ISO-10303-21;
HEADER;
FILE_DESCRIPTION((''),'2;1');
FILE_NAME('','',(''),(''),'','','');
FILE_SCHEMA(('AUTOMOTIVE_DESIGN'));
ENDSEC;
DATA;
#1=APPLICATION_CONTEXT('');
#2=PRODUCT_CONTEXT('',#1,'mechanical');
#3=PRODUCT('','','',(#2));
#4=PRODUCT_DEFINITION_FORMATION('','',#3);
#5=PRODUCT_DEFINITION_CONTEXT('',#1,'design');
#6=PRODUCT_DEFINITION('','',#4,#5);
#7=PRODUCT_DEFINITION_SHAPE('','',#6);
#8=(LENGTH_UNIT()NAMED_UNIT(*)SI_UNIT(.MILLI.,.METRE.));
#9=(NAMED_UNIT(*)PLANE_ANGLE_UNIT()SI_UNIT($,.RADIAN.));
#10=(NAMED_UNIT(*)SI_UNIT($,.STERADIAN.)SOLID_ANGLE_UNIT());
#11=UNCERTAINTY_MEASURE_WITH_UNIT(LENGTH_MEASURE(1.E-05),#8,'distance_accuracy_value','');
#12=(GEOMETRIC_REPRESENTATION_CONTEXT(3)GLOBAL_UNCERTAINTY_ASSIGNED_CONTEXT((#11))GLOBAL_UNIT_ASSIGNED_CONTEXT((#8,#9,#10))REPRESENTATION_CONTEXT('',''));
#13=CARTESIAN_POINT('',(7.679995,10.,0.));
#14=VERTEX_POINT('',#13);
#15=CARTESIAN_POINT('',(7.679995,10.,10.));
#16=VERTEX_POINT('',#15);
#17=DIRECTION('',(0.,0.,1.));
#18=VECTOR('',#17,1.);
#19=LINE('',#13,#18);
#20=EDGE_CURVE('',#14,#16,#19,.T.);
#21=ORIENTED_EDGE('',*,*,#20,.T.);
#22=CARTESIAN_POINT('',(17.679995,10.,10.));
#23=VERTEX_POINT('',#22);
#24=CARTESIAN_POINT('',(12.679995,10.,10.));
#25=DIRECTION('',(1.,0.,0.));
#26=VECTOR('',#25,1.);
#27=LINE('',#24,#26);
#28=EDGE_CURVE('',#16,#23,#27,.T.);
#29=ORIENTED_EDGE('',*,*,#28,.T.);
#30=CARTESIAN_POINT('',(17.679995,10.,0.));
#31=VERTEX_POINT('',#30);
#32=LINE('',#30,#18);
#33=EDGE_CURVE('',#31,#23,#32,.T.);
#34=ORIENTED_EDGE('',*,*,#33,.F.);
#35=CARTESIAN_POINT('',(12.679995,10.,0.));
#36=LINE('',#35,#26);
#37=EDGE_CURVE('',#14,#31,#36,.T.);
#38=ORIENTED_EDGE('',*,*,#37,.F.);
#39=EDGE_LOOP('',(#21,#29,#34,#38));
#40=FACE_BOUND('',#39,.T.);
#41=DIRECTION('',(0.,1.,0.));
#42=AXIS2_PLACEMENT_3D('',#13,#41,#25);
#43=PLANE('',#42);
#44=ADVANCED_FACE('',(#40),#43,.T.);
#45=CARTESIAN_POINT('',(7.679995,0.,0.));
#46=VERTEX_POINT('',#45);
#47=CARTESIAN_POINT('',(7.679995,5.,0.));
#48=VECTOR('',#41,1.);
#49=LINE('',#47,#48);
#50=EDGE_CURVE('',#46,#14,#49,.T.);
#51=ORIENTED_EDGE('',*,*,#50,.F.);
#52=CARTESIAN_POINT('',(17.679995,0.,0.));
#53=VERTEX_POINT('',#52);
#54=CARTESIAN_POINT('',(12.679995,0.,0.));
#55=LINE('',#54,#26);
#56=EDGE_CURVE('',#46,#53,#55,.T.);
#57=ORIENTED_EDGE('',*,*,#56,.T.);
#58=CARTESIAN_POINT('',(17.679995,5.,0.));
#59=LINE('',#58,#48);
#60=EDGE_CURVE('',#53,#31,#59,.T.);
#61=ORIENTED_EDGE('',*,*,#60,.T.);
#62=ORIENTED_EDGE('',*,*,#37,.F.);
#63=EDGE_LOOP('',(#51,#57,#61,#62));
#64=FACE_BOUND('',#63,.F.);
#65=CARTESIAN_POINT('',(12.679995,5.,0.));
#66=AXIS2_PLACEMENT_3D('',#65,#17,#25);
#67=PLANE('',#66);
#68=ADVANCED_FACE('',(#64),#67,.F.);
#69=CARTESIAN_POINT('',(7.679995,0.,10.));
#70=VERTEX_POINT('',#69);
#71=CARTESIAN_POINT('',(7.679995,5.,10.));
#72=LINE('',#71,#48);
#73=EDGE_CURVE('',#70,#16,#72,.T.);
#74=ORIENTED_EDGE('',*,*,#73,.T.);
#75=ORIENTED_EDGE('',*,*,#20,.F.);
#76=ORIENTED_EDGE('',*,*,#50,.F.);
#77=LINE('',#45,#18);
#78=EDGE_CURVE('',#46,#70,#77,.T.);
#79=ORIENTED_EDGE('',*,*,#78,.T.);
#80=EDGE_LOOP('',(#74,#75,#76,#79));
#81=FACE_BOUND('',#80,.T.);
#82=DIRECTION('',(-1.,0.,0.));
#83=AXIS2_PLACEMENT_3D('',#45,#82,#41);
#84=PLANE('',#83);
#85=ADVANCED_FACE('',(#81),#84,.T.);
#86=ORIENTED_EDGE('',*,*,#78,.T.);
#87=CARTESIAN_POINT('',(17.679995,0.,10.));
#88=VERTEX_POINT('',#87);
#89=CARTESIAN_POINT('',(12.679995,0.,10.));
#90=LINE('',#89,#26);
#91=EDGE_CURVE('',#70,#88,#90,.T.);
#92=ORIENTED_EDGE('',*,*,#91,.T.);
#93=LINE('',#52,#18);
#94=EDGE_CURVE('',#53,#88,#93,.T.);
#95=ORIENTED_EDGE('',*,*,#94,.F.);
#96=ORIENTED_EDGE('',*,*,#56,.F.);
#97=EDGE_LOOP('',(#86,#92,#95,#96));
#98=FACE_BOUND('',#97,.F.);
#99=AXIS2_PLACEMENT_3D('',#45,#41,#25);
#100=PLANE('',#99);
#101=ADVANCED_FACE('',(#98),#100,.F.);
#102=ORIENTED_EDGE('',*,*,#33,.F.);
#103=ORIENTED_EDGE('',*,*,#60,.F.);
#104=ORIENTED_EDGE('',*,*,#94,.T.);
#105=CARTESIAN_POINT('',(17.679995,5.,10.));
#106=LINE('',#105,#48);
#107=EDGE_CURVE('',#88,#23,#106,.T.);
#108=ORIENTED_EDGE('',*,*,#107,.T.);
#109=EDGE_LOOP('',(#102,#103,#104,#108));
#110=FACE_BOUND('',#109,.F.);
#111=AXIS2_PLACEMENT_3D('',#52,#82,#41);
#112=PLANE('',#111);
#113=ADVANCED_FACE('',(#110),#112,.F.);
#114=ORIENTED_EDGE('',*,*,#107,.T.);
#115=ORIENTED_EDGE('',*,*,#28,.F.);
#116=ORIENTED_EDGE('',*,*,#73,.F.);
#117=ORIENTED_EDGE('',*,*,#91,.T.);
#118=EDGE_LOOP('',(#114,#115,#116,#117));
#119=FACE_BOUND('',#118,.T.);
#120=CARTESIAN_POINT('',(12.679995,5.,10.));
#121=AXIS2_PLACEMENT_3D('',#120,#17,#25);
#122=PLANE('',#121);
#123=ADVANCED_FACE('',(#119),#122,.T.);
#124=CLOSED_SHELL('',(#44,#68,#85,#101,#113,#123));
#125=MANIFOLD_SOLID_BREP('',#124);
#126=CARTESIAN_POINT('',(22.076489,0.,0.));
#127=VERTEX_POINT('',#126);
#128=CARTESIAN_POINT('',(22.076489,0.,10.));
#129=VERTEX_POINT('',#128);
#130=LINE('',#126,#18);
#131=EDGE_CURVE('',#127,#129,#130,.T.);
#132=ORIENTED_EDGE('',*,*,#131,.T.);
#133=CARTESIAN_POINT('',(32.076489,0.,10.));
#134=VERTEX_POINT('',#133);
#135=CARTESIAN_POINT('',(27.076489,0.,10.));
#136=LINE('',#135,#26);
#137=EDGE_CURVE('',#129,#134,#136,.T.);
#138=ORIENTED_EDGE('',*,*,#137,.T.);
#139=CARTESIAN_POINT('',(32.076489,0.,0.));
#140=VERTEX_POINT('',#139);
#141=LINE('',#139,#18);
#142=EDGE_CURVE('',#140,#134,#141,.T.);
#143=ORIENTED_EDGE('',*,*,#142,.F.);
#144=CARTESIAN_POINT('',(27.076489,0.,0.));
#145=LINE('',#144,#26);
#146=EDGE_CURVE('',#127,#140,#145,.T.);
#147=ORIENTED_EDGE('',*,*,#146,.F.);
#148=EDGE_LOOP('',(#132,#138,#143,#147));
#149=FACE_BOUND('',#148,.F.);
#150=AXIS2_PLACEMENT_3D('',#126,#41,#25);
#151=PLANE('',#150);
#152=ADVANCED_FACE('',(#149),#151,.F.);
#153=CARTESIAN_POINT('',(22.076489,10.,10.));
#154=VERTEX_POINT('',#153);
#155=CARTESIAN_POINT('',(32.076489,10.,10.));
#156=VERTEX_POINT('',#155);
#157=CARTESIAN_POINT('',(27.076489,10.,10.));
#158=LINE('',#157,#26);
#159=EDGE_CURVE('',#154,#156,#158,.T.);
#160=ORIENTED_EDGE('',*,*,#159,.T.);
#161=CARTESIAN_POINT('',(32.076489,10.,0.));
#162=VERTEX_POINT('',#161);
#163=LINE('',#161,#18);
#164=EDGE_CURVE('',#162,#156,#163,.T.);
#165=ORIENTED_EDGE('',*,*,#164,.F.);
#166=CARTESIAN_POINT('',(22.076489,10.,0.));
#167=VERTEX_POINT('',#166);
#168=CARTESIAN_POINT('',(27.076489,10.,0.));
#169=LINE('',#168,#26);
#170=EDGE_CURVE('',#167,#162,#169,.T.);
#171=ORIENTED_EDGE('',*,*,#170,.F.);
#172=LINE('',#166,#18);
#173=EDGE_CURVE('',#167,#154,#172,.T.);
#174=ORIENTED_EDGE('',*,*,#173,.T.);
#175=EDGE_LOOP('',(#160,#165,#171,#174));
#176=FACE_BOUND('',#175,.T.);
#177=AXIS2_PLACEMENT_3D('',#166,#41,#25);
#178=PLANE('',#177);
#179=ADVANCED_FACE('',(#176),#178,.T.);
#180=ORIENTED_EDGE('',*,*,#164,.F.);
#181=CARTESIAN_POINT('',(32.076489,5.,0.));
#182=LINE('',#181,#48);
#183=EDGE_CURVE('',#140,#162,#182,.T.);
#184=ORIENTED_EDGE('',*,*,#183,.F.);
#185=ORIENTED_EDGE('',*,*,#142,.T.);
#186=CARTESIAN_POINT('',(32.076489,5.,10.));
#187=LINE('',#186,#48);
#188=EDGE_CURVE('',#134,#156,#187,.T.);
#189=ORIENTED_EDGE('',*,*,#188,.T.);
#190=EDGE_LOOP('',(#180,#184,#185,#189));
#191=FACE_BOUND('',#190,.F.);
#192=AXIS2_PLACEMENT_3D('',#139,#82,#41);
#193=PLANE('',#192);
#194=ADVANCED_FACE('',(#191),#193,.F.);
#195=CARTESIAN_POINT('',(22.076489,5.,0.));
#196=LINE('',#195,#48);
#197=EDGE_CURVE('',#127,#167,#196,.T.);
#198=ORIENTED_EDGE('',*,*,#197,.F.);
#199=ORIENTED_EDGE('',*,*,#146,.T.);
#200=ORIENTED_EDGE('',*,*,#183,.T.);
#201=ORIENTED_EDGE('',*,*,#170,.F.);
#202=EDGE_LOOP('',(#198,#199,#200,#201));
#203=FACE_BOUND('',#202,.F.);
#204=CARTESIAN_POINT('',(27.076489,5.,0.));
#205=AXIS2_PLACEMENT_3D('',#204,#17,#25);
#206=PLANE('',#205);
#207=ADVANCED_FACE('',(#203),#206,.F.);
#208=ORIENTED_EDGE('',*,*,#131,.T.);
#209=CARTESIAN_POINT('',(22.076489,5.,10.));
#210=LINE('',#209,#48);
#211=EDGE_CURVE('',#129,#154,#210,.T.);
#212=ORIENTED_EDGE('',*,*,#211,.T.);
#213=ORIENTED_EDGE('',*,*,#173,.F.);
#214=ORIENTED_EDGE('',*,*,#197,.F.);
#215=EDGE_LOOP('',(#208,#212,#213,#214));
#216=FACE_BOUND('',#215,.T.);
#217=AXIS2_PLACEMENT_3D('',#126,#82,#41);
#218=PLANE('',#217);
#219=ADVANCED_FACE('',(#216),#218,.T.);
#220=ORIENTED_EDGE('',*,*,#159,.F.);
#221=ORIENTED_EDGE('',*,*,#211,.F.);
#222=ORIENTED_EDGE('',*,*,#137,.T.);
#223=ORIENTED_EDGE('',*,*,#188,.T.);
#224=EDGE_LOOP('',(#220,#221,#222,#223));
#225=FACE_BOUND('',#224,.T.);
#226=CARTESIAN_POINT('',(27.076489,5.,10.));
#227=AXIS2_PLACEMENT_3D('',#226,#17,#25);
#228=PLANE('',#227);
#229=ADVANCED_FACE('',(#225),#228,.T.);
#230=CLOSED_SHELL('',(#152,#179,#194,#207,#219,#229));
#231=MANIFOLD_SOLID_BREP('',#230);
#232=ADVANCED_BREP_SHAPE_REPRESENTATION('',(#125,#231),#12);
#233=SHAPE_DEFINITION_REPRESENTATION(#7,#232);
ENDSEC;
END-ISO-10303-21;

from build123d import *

# Parameters (mm, degrees)
SKETCH_W     = 10
SKETCH_H     = 10
PAD_DEPTH    = 10
SKETCH001_W  = 10
SKETCH001_H  = 10
PAD001_DEPTH = 10


with BuildPart() as cube1:
    # Sketch (on XY_Plane of Origin) → Pad (new body)
    with BuildSketch(Plane.XY):
        with Locations((12.679995, 5)):
            Rectangle(SKETCH_W, SKETCH_H)
    extrude(amount=PAD_DEPTH)


with BuildPart() as cube2:
    # Sketch001 (on XY_Plane001 of Origin002) → Pad001 (new body)
    with BuildSketch(Plane.XY):
        with Locations((27.076489, 5)):
            Rectangle(SKETCH001_W, SKETCH001_H)
    extrude(amount=PAD001_DEPTH)


solid = Compound([cube1.part, cube2.part])
